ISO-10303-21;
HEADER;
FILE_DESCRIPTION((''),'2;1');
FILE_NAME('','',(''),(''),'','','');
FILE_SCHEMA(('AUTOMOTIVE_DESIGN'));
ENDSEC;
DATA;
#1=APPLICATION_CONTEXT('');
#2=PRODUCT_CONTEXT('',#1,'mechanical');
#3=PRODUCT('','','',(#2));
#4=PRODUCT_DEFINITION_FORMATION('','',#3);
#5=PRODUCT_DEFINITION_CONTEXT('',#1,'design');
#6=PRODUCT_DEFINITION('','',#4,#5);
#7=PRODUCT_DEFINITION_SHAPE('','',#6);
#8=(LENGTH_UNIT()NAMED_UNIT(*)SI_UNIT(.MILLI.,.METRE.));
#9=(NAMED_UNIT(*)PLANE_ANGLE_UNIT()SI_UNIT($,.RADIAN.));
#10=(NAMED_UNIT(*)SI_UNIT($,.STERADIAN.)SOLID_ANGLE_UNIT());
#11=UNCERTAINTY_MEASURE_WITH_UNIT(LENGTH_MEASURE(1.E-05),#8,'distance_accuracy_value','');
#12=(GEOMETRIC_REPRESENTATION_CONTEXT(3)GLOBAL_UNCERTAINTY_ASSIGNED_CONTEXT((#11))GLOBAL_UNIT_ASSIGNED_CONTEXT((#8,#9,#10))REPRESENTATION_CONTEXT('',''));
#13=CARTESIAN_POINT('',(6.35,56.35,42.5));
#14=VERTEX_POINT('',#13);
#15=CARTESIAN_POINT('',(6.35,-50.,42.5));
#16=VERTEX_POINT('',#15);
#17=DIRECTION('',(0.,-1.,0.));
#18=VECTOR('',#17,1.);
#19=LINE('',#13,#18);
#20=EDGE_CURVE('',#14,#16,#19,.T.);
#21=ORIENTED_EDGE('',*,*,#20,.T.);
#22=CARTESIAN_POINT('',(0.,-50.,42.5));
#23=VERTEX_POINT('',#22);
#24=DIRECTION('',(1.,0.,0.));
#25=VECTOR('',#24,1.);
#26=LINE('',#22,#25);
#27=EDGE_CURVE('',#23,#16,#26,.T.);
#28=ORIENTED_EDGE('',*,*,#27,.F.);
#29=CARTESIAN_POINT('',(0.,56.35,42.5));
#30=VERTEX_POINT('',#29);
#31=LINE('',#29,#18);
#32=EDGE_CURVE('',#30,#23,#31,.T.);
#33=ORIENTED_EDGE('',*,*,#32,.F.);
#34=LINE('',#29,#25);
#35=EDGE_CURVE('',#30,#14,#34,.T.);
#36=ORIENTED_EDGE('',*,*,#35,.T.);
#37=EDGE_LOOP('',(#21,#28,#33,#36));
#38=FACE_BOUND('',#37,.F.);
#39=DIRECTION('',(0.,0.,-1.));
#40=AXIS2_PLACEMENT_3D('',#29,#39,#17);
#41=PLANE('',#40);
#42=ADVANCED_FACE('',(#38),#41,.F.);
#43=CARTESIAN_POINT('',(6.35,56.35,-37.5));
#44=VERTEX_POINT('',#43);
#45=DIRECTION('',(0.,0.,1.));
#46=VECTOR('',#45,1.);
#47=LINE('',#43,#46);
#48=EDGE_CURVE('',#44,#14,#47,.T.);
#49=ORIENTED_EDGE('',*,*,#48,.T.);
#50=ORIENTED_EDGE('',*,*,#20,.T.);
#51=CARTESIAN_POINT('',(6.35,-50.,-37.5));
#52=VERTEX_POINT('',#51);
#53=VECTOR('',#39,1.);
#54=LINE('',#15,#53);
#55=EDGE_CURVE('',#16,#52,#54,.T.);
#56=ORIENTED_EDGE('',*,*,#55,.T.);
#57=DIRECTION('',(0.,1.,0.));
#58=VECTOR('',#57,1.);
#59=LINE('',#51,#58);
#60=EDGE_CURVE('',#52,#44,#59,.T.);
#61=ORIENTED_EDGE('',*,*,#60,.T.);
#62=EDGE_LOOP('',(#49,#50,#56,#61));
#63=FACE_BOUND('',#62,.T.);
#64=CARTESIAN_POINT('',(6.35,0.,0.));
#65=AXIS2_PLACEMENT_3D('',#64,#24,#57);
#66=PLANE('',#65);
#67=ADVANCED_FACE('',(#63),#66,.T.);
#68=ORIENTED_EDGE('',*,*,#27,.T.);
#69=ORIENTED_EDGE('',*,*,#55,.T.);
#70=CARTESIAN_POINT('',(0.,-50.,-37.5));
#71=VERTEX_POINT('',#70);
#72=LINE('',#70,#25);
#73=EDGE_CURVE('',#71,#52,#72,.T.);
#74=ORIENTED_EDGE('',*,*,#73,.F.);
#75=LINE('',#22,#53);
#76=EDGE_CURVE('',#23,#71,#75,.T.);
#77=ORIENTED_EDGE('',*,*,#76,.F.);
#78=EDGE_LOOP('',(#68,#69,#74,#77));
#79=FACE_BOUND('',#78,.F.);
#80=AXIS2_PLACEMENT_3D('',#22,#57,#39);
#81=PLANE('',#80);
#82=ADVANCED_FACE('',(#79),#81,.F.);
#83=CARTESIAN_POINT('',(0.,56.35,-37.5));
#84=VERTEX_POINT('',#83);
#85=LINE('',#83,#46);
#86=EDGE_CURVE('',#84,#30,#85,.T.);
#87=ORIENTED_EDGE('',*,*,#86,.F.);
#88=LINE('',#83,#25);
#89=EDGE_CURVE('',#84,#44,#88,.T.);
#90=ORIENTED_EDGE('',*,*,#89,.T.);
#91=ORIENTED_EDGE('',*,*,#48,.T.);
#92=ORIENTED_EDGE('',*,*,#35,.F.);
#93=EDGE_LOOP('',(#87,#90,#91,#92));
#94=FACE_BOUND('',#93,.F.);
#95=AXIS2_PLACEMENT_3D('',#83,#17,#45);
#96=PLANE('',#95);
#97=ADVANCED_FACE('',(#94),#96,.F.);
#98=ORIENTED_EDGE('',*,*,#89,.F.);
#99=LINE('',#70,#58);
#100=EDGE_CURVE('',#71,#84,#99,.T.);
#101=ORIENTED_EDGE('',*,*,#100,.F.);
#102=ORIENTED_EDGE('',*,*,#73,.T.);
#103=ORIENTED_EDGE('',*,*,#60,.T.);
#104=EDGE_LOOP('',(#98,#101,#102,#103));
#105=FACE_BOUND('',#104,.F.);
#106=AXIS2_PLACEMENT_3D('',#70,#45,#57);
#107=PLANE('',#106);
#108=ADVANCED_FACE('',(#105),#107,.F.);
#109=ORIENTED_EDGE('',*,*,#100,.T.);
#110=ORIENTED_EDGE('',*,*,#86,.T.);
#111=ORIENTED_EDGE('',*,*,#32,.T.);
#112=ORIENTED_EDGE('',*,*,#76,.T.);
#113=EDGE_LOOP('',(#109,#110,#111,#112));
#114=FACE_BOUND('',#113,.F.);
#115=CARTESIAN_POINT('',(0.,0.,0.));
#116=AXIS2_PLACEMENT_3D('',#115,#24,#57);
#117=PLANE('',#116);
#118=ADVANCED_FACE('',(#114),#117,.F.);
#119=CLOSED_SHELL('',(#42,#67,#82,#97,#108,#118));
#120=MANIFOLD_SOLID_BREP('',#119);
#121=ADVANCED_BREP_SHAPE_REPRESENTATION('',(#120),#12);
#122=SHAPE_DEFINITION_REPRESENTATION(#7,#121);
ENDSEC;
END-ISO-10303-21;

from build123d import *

# Parameters (mm, degrees)
F0_W     = 100
F0_H     = 75
F0_R     = 2.3876
F0_W_2   = 6.35
F1_DEPTH = 6.35


with BuildPart() as f1:
    # F0 (on Right) → F1 (new body)
    with BuildSketch(Plane.YZ):
        Rectangle(F0_W, F0_H)
        with Locations((-42.38, -27.5)):
            Circle(F0_R, mode=Mode.SUBTRACT)
        with Locations((-36.3856, -27.5)):
            Circle(F0_R, mode=Mode.SUBTRACT)
        with Locations((53.175, 0)):
            Rectangle(F0_W_2, F0_H)
        Polygon((-50, 37.5), (50, 37.5), (56.35, 37.5), (56.35, 42.5), (-50, 42.5), align=None)
        with Locations((-42.38, -27.5)):
            Circle(F0_R)
        with Locations((-36.3856, -27.5)):
            Circle(F0_R)
    extrude(amount=F1_DEPTH)


solid = f1.part
